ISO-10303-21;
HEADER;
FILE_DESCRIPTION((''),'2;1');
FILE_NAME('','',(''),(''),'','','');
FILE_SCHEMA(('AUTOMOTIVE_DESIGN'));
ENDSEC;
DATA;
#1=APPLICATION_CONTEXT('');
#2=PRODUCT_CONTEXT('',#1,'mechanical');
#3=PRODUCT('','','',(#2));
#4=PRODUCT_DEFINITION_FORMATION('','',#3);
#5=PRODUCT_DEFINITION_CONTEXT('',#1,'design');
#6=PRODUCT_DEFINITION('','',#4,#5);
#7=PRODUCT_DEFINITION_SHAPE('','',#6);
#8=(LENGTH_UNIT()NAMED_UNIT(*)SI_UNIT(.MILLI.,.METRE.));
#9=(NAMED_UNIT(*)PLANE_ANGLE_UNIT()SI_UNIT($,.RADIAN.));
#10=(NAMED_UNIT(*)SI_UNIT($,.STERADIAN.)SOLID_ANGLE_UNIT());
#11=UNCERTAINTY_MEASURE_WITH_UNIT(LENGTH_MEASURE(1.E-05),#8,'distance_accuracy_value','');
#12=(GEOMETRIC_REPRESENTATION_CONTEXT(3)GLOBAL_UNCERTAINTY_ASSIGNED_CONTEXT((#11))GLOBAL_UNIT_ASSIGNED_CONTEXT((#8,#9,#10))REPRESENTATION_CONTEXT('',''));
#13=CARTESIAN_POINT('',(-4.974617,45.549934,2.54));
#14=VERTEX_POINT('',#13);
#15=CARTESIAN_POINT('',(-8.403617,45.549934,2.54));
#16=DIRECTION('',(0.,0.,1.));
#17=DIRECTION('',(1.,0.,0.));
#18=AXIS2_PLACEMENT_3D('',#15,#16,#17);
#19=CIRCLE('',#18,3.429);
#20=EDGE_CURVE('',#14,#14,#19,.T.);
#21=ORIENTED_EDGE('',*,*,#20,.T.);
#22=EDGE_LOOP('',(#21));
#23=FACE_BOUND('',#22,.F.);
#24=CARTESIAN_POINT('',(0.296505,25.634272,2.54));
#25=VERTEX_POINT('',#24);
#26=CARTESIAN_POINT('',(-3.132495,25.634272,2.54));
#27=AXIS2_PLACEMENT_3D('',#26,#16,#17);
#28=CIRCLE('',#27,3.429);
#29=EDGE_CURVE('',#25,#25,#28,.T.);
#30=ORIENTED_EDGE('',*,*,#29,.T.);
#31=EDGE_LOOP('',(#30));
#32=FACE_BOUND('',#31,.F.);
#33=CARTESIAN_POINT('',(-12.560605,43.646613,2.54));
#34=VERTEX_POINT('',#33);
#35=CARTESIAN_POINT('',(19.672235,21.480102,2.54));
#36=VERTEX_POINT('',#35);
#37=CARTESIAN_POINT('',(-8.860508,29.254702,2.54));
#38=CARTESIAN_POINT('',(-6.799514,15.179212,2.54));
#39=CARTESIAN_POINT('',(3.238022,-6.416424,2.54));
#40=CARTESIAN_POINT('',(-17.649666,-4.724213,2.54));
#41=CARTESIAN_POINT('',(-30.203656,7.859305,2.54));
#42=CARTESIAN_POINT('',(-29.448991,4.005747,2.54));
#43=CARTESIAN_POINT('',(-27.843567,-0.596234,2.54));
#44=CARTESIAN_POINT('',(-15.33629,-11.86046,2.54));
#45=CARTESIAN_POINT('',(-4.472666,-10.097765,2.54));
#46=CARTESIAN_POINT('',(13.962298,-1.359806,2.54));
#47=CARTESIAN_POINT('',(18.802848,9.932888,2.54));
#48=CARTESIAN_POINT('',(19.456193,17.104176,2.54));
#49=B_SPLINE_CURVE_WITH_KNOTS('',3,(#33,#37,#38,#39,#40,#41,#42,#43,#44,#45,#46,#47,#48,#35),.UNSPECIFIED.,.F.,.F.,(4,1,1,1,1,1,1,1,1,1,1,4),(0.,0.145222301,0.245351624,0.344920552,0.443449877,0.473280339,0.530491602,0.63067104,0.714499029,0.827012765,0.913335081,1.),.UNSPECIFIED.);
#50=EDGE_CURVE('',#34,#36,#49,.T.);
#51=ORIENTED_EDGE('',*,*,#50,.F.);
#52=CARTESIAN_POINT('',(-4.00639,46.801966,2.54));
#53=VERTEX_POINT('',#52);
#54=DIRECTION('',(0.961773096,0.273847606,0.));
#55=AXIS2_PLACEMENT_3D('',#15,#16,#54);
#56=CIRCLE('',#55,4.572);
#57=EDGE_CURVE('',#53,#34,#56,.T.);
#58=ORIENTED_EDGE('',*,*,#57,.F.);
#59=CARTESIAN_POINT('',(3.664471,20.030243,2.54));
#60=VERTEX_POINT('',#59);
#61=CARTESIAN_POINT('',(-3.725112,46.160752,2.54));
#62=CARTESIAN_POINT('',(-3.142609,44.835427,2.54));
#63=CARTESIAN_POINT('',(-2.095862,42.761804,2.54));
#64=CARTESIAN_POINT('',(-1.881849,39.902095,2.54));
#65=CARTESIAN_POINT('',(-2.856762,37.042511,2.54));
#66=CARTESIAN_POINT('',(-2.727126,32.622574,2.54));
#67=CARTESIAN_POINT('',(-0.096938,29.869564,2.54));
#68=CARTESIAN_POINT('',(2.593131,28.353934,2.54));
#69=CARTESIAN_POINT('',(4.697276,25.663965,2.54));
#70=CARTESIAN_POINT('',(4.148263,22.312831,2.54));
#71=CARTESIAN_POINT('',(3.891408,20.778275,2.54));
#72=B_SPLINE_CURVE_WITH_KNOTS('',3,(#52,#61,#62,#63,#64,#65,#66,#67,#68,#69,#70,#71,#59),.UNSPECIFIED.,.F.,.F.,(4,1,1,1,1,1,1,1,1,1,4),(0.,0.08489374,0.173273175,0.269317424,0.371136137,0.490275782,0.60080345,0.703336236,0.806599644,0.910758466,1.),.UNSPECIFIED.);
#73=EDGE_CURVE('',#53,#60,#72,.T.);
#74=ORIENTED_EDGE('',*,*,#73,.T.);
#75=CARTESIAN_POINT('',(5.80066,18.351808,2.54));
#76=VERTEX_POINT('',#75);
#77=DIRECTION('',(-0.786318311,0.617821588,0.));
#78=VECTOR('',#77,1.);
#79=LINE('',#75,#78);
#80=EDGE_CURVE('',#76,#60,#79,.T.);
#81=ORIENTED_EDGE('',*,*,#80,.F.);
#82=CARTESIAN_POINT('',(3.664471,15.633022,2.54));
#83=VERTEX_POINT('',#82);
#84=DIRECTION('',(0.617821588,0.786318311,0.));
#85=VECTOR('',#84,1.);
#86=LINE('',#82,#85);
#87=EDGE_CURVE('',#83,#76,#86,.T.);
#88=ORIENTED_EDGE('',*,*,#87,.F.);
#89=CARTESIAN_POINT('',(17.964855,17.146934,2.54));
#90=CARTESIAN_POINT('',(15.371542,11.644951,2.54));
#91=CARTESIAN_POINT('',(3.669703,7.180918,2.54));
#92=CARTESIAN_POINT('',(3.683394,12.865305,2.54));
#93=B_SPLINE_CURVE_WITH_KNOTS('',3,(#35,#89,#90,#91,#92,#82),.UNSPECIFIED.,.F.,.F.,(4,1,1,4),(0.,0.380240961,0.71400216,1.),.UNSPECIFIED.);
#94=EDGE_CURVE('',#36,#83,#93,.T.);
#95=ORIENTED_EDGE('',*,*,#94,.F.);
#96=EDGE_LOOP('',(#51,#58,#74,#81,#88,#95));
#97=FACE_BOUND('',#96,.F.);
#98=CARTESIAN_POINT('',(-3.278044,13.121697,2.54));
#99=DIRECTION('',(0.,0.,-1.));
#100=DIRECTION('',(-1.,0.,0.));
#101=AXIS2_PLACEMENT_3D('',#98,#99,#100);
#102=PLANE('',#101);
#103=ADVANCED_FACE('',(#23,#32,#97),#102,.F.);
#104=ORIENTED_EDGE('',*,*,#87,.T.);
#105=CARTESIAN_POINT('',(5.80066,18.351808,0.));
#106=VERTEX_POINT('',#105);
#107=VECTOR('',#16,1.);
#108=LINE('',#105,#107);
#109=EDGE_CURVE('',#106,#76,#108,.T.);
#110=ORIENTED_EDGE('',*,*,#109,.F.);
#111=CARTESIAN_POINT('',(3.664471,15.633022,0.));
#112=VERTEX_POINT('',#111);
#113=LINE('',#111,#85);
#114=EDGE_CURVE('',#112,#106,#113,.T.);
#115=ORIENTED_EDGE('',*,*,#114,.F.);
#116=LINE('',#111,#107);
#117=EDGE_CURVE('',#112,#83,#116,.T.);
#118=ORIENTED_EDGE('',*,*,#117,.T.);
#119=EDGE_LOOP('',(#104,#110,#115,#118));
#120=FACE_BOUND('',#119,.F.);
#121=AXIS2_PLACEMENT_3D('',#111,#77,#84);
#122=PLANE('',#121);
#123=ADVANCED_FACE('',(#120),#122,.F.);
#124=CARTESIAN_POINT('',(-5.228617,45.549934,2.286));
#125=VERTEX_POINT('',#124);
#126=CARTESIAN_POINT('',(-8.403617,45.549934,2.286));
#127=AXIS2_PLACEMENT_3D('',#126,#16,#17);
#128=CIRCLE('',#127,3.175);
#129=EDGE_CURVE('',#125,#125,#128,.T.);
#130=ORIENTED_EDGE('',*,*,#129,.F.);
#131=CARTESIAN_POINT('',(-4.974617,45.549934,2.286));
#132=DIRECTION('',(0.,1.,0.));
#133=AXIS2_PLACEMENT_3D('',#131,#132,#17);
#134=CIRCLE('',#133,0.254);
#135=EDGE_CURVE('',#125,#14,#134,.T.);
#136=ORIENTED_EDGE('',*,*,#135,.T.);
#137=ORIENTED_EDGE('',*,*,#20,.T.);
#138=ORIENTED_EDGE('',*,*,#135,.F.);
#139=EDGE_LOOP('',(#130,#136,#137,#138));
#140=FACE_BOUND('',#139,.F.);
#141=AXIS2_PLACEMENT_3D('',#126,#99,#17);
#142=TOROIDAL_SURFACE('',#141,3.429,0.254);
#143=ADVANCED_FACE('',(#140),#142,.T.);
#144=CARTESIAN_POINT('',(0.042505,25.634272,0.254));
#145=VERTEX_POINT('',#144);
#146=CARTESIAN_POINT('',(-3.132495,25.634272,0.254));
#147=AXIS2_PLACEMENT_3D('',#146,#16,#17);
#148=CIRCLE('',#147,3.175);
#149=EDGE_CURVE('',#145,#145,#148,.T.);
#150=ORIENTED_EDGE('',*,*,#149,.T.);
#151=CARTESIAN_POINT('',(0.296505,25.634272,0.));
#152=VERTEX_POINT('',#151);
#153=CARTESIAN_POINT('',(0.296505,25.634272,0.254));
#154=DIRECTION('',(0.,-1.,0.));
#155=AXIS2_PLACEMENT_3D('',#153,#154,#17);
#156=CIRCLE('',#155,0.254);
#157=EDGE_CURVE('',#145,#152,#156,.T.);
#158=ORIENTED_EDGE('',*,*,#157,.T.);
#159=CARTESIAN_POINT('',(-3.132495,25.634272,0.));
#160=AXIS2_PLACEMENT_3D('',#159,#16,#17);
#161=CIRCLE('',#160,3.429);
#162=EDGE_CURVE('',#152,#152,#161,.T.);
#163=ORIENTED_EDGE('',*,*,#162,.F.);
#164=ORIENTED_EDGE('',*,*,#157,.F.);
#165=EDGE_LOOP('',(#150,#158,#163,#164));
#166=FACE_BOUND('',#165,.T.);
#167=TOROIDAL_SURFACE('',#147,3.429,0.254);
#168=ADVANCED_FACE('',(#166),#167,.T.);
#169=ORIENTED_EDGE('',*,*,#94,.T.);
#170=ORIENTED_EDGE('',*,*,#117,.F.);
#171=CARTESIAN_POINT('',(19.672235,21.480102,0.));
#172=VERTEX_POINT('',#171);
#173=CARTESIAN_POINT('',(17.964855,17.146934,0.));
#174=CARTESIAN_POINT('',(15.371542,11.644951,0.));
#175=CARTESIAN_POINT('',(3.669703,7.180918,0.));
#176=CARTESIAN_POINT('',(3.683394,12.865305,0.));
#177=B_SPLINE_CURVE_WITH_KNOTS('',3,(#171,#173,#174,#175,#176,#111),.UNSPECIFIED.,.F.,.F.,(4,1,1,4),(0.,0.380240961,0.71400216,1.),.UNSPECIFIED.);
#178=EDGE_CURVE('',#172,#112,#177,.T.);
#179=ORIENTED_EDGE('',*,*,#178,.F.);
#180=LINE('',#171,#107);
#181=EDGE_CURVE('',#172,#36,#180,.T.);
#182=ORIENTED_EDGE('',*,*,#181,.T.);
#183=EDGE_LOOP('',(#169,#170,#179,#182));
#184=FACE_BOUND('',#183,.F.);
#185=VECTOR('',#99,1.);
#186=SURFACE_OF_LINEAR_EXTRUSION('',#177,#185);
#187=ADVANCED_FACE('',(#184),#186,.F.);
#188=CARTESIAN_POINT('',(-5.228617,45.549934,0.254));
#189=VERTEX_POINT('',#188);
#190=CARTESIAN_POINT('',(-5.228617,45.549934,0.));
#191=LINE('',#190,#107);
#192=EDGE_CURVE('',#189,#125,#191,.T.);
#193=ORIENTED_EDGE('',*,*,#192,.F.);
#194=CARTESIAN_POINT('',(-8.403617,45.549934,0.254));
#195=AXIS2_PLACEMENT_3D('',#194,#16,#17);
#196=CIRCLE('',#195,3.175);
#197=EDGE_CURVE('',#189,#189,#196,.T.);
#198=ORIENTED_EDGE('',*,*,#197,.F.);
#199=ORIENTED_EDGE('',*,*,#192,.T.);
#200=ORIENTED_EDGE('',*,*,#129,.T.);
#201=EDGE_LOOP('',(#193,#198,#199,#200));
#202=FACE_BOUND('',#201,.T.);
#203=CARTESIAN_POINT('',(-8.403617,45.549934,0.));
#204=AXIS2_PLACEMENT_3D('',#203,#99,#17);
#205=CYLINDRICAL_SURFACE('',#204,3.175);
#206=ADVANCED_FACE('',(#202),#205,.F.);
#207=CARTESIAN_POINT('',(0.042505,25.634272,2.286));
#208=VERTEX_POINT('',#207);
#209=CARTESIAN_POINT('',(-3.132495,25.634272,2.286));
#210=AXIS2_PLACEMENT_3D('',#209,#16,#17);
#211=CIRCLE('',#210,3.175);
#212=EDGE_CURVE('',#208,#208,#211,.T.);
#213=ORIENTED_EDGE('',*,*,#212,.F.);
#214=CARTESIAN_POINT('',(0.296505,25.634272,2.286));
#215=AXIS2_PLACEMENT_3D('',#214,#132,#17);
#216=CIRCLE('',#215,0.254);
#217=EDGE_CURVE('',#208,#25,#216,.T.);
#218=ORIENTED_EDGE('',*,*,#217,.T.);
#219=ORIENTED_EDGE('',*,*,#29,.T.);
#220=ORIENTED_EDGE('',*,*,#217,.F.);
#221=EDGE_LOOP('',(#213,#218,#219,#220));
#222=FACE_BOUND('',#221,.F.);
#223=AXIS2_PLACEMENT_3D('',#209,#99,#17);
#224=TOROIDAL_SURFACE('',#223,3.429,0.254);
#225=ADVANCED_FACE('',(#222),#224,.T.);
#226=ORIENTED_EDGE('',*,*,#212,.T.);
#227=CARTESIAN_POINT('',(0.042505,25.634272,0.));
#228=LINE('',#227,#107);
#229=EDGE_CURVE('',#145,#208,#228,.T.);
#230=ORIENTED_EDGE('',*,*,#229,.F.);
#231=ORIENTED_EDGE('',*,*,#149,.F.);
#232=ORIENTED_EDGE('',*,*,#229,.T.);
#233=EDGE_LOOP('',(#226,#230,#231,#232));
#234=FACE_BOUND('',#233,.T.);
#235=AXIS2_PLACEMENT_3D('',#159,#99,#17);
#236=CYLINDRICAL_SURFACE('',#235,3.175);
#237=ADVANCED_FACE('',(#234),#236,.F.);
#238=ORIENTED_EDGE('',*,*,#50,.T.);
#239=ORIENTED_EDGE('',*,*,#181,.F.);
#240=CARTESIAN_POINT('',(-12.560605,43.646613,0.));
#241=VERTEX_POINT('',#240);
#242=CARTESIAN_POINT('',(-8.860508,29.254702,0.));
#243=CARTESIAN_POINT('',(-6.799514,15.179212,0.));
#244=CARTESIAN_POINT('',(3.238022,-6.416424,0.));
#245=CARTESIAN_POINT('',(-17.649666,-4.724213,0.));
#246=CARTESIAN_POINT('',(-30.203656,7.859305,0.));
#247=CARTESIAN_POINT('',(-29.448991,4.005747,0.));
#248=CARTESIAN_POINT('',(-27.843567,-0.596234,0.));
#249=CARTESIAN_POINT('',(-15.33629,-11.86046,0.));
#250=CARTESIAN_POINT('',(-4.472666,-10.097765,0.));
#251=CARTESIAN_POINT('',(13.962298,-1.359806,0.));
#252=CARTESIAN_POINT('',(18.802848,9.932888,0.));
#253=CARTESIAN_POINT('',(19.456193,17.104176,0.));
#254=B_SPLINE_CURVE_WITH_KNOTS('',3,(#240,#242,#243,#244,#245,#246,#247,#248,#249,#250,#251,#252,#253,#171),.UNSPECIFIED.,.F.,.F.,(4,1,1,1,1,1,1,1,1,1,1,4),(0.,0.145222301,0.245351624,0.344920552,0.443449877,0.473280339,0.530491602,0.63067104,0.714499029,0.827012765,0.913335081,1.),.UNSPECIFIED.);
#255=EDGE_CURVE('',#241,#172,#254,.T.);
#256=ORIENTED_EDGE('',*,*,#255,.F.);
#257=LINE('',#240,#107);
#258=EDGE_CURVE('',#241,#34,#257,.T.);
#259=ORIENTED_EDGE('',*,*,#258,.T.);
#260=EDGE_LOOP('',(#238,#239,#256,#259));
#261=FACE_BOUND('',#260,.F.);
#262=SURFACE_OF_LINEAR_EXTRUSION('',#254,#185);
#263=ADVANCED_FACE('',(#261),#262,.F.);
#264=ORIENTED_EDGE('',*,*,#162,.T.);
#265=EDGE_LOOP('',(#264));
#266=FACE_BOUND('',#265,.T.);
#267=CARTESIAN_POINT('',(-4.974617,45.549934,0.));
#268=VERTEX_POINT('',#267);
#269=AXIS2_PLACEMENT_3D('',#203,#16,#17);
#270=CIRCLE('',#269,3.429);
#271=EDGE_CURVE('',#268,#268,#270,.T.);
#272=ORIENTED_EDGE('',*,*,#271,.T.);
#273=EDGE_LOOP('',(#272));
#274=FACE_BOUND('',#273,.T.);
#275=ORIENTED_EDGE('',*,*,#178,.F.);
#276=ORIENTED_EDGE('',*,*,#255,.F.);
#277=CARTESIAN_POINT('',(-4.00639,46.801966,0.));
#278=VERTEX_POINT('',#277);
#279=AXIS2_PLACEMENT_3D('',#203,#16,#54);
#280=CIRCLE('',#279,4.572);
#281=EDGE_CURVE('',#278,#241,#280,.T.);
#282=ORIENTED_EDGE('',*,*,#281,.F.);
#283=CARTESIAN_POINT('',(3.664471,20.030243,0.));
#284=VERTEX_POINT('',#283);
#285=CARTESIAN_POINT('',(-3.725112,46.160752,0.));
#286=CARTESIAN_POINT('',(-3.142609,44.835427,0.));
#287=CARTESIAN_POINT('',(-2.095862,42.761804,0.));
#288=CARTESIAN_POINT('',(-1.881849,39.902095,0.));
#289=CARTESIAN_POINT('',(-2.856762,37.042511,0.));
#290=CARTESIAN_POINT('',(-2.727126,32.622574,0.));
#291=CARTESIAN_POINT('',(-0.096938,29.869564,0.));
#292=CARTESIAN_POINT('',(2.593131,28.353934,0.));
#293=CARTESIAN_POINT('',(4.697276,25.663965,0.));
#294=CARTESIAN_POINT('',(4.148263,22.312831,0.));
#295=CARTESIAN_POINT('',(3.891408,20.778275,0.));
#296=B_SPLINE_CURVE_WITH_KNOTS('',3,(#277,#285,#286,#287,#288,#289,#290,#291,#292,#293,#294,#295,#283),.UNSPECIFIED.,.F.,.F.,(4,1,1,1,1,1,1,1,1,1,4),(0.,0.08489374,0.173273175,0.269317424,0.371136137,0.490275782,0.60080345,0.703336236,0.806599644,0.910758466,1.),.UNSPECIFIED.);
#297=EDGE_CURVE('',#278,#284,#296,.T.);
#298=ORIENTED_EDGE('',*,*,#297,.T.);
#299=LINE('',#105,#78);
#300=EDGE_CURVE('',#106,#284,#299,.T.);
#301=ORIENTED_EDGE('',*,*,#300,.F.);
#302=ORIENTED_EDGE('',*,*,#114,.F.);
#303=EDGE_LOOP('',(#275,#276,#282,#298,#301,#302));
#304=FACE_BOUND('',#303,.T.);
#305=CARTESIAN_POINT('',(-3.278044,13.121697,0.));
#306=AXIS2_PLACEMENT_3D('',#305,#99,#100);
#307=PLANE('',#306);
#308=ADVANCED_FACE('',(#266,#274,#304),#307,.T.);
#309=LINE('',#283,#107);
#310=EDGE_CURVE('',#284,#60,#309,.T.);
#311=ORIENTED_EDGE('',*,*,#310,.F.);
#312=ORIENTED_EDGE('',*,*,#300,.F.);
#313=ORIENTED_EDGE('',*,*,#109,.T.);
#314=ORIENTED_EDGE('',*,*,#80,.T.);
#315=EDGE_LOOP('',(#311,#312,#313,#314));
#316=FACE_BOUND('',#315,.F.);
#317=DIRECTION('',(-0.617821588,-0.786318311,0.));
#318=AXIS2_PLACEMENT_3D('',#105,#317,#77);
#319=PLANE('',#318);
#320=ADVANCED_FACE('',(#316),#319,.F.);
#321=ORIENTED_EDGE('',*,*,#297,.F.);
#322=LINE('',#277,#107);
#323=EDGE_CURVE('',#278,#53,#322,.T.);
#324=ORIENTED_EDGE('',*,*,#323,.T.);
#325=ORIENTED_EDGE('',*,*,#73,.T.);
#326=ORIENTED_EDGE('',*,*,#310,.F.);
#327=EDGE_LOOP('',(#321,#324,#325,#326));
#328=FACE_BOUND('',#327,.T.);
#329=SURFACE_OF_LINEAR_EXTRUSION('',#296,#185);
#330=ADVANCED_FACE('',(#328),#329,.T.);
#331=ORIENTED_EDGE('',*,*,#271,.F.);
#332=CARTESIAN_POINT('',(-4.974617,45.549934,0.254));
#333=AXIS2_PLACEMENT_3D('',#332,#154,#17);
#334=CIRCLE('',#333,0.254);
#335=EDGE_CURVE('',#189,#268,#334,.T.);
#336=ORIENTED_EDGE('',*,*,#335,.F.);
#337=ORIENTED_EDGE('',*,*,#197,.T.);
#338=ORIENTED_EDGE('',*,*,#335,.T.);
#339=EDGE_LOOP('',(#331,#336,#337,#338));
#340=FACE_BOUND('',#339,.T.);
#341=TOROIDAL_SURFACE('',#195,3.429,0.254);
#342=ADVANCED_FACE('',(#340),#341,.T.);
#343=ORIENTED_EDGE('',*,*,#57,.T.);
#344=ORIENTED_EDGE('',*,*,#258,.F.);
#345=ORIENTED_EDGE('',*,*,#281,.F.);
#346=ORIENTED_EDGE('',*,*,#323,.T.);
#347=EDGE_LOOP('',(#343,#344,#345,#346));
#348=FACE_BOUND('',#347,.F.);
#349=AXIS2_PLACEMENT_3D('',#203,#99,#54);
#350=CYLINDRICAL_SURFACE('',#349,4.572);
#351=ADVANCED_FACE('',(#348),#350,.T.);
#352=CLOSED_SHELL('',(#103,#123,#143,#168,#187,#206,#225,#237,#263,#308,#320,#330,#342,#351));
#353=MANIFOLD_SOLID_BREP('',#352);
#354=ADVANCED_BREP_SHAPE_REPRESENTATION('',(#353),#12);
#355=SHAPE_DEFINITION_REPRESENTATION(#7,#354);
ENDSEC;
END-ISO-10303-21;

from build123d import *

# Parameters (mm, degrees)
F0_R     = 3.175
F1_DEPTH = 2.54
F2_R     = 0.254


with BuildPart() as f1:
    # F0 (on Top) → F1 (new body)
    with BuildSketch(Plane.XY):
        with BuildLine():
            add(Edge.make_bspline(
                [(-4.0063904598, 46.8019656837), (-3.7251117803, 46.1607524384), (-3.1426094003, 44.8354265762), (-2.0958619853, 42.7618037685), (-1.8818487099, 39.9020950962), (-2.8567624036, 37.0425106573), (-2.7271255179, 32.622574053), (-0.0969382133, 29.8695643245), (2.5931308275, 28.3539344264), (4.6972757445, 25.6639653774), (4.148262623, 22.3128308434), (3.8914083954, 20.778274862), (3.6644707434, 20.030242581)],
                knots=[0, 0, 0, 0, 0.0848937404, 0.1732731751, 0.2693174244, 0.3711361369, 0.490275782, 0.6008034498, 0.7033362365, 0.8065996443, 0.9107584664, 1, 1, 1, 1], degree=3))
            ThreePointArc((-4.0063904598, 46.8019656837), (-9.9858596069, 49.8394207039), (-12.5606052664, 43.6466128538))
            add(Edge.make_bspline(
                [(-12.5606052664, 43.6466128538), (-8.8605079832, 29.2547017526), (-6.799514233, 15.1792116626), (3.2380220862, -6.4164240633), (-17.6496657672, -4.7242128288), (-30.2036557465, 7.859305133), (-29.4489911689, 4.0057465276), (-27.8435674931, -0.5962335672), (-15.336289593, -11.8604595918), (-4.4726658645, -10.0977654488), (13.9622979174, -1.3598056584), (18.8028478549, 9.9328875562), (19.4561926182, 17.1041761143), (19.672235474, 21.480102092)],
                knots=[0, 0, 0, 0, 0.1452223006, 0.2453516241, 0.3449205516, 0.4434498775, 0.4732803385, 0.5304916018, 0.6306710399, 0.7144990288, 0.827012765, 0.9133350811, 1, 1, 1, 1], degree=3))
            add(Edge.make_bspline(
                [(19.672235474, 21.480102092), (17.9648546173, 17.1469344067), (15.3715422237, 11.6449511996), (3.6697026474, 7.1809184492), (3.6833935742, 12.865305437), (3.6644707434, 15.6330224127)],
                knots=[0, 0, 0, 0, 0.3802409607, 0.7140021595, 1, 1, 1, 1], degree=3))
            Line((3.6644707434, 15.6330224127), (5.8006597683, 18.3518081903))
            Line((5.8006597683, 18.3518081903), (3.6644707434, 20.030242581))
        make_face()
        with Locations((-8.4036170557, 45.5499344283)):
            Circle(F0_R, mode=Mode.SUBTRACT)
        with Locations((-3.132494865, 25.634272024)):
            Circle(F0_R, mode=Mode.SUBTRACT)
    extrude(amount=F1_DEPTH)

    # F2
    f2_edges = [f1.edges().sort_by_distance(p)[0] for p in [
        (-11.578617, 45.549934, 2.54),
        (-11.578617, 45.549934, 0),
        (-6.307495, 25.634272, 0),
        (-6.307495, 25.634272, 2.54),
    ]]
    fillet(f2_edges, radius=F2_R)


solid = f1.part
